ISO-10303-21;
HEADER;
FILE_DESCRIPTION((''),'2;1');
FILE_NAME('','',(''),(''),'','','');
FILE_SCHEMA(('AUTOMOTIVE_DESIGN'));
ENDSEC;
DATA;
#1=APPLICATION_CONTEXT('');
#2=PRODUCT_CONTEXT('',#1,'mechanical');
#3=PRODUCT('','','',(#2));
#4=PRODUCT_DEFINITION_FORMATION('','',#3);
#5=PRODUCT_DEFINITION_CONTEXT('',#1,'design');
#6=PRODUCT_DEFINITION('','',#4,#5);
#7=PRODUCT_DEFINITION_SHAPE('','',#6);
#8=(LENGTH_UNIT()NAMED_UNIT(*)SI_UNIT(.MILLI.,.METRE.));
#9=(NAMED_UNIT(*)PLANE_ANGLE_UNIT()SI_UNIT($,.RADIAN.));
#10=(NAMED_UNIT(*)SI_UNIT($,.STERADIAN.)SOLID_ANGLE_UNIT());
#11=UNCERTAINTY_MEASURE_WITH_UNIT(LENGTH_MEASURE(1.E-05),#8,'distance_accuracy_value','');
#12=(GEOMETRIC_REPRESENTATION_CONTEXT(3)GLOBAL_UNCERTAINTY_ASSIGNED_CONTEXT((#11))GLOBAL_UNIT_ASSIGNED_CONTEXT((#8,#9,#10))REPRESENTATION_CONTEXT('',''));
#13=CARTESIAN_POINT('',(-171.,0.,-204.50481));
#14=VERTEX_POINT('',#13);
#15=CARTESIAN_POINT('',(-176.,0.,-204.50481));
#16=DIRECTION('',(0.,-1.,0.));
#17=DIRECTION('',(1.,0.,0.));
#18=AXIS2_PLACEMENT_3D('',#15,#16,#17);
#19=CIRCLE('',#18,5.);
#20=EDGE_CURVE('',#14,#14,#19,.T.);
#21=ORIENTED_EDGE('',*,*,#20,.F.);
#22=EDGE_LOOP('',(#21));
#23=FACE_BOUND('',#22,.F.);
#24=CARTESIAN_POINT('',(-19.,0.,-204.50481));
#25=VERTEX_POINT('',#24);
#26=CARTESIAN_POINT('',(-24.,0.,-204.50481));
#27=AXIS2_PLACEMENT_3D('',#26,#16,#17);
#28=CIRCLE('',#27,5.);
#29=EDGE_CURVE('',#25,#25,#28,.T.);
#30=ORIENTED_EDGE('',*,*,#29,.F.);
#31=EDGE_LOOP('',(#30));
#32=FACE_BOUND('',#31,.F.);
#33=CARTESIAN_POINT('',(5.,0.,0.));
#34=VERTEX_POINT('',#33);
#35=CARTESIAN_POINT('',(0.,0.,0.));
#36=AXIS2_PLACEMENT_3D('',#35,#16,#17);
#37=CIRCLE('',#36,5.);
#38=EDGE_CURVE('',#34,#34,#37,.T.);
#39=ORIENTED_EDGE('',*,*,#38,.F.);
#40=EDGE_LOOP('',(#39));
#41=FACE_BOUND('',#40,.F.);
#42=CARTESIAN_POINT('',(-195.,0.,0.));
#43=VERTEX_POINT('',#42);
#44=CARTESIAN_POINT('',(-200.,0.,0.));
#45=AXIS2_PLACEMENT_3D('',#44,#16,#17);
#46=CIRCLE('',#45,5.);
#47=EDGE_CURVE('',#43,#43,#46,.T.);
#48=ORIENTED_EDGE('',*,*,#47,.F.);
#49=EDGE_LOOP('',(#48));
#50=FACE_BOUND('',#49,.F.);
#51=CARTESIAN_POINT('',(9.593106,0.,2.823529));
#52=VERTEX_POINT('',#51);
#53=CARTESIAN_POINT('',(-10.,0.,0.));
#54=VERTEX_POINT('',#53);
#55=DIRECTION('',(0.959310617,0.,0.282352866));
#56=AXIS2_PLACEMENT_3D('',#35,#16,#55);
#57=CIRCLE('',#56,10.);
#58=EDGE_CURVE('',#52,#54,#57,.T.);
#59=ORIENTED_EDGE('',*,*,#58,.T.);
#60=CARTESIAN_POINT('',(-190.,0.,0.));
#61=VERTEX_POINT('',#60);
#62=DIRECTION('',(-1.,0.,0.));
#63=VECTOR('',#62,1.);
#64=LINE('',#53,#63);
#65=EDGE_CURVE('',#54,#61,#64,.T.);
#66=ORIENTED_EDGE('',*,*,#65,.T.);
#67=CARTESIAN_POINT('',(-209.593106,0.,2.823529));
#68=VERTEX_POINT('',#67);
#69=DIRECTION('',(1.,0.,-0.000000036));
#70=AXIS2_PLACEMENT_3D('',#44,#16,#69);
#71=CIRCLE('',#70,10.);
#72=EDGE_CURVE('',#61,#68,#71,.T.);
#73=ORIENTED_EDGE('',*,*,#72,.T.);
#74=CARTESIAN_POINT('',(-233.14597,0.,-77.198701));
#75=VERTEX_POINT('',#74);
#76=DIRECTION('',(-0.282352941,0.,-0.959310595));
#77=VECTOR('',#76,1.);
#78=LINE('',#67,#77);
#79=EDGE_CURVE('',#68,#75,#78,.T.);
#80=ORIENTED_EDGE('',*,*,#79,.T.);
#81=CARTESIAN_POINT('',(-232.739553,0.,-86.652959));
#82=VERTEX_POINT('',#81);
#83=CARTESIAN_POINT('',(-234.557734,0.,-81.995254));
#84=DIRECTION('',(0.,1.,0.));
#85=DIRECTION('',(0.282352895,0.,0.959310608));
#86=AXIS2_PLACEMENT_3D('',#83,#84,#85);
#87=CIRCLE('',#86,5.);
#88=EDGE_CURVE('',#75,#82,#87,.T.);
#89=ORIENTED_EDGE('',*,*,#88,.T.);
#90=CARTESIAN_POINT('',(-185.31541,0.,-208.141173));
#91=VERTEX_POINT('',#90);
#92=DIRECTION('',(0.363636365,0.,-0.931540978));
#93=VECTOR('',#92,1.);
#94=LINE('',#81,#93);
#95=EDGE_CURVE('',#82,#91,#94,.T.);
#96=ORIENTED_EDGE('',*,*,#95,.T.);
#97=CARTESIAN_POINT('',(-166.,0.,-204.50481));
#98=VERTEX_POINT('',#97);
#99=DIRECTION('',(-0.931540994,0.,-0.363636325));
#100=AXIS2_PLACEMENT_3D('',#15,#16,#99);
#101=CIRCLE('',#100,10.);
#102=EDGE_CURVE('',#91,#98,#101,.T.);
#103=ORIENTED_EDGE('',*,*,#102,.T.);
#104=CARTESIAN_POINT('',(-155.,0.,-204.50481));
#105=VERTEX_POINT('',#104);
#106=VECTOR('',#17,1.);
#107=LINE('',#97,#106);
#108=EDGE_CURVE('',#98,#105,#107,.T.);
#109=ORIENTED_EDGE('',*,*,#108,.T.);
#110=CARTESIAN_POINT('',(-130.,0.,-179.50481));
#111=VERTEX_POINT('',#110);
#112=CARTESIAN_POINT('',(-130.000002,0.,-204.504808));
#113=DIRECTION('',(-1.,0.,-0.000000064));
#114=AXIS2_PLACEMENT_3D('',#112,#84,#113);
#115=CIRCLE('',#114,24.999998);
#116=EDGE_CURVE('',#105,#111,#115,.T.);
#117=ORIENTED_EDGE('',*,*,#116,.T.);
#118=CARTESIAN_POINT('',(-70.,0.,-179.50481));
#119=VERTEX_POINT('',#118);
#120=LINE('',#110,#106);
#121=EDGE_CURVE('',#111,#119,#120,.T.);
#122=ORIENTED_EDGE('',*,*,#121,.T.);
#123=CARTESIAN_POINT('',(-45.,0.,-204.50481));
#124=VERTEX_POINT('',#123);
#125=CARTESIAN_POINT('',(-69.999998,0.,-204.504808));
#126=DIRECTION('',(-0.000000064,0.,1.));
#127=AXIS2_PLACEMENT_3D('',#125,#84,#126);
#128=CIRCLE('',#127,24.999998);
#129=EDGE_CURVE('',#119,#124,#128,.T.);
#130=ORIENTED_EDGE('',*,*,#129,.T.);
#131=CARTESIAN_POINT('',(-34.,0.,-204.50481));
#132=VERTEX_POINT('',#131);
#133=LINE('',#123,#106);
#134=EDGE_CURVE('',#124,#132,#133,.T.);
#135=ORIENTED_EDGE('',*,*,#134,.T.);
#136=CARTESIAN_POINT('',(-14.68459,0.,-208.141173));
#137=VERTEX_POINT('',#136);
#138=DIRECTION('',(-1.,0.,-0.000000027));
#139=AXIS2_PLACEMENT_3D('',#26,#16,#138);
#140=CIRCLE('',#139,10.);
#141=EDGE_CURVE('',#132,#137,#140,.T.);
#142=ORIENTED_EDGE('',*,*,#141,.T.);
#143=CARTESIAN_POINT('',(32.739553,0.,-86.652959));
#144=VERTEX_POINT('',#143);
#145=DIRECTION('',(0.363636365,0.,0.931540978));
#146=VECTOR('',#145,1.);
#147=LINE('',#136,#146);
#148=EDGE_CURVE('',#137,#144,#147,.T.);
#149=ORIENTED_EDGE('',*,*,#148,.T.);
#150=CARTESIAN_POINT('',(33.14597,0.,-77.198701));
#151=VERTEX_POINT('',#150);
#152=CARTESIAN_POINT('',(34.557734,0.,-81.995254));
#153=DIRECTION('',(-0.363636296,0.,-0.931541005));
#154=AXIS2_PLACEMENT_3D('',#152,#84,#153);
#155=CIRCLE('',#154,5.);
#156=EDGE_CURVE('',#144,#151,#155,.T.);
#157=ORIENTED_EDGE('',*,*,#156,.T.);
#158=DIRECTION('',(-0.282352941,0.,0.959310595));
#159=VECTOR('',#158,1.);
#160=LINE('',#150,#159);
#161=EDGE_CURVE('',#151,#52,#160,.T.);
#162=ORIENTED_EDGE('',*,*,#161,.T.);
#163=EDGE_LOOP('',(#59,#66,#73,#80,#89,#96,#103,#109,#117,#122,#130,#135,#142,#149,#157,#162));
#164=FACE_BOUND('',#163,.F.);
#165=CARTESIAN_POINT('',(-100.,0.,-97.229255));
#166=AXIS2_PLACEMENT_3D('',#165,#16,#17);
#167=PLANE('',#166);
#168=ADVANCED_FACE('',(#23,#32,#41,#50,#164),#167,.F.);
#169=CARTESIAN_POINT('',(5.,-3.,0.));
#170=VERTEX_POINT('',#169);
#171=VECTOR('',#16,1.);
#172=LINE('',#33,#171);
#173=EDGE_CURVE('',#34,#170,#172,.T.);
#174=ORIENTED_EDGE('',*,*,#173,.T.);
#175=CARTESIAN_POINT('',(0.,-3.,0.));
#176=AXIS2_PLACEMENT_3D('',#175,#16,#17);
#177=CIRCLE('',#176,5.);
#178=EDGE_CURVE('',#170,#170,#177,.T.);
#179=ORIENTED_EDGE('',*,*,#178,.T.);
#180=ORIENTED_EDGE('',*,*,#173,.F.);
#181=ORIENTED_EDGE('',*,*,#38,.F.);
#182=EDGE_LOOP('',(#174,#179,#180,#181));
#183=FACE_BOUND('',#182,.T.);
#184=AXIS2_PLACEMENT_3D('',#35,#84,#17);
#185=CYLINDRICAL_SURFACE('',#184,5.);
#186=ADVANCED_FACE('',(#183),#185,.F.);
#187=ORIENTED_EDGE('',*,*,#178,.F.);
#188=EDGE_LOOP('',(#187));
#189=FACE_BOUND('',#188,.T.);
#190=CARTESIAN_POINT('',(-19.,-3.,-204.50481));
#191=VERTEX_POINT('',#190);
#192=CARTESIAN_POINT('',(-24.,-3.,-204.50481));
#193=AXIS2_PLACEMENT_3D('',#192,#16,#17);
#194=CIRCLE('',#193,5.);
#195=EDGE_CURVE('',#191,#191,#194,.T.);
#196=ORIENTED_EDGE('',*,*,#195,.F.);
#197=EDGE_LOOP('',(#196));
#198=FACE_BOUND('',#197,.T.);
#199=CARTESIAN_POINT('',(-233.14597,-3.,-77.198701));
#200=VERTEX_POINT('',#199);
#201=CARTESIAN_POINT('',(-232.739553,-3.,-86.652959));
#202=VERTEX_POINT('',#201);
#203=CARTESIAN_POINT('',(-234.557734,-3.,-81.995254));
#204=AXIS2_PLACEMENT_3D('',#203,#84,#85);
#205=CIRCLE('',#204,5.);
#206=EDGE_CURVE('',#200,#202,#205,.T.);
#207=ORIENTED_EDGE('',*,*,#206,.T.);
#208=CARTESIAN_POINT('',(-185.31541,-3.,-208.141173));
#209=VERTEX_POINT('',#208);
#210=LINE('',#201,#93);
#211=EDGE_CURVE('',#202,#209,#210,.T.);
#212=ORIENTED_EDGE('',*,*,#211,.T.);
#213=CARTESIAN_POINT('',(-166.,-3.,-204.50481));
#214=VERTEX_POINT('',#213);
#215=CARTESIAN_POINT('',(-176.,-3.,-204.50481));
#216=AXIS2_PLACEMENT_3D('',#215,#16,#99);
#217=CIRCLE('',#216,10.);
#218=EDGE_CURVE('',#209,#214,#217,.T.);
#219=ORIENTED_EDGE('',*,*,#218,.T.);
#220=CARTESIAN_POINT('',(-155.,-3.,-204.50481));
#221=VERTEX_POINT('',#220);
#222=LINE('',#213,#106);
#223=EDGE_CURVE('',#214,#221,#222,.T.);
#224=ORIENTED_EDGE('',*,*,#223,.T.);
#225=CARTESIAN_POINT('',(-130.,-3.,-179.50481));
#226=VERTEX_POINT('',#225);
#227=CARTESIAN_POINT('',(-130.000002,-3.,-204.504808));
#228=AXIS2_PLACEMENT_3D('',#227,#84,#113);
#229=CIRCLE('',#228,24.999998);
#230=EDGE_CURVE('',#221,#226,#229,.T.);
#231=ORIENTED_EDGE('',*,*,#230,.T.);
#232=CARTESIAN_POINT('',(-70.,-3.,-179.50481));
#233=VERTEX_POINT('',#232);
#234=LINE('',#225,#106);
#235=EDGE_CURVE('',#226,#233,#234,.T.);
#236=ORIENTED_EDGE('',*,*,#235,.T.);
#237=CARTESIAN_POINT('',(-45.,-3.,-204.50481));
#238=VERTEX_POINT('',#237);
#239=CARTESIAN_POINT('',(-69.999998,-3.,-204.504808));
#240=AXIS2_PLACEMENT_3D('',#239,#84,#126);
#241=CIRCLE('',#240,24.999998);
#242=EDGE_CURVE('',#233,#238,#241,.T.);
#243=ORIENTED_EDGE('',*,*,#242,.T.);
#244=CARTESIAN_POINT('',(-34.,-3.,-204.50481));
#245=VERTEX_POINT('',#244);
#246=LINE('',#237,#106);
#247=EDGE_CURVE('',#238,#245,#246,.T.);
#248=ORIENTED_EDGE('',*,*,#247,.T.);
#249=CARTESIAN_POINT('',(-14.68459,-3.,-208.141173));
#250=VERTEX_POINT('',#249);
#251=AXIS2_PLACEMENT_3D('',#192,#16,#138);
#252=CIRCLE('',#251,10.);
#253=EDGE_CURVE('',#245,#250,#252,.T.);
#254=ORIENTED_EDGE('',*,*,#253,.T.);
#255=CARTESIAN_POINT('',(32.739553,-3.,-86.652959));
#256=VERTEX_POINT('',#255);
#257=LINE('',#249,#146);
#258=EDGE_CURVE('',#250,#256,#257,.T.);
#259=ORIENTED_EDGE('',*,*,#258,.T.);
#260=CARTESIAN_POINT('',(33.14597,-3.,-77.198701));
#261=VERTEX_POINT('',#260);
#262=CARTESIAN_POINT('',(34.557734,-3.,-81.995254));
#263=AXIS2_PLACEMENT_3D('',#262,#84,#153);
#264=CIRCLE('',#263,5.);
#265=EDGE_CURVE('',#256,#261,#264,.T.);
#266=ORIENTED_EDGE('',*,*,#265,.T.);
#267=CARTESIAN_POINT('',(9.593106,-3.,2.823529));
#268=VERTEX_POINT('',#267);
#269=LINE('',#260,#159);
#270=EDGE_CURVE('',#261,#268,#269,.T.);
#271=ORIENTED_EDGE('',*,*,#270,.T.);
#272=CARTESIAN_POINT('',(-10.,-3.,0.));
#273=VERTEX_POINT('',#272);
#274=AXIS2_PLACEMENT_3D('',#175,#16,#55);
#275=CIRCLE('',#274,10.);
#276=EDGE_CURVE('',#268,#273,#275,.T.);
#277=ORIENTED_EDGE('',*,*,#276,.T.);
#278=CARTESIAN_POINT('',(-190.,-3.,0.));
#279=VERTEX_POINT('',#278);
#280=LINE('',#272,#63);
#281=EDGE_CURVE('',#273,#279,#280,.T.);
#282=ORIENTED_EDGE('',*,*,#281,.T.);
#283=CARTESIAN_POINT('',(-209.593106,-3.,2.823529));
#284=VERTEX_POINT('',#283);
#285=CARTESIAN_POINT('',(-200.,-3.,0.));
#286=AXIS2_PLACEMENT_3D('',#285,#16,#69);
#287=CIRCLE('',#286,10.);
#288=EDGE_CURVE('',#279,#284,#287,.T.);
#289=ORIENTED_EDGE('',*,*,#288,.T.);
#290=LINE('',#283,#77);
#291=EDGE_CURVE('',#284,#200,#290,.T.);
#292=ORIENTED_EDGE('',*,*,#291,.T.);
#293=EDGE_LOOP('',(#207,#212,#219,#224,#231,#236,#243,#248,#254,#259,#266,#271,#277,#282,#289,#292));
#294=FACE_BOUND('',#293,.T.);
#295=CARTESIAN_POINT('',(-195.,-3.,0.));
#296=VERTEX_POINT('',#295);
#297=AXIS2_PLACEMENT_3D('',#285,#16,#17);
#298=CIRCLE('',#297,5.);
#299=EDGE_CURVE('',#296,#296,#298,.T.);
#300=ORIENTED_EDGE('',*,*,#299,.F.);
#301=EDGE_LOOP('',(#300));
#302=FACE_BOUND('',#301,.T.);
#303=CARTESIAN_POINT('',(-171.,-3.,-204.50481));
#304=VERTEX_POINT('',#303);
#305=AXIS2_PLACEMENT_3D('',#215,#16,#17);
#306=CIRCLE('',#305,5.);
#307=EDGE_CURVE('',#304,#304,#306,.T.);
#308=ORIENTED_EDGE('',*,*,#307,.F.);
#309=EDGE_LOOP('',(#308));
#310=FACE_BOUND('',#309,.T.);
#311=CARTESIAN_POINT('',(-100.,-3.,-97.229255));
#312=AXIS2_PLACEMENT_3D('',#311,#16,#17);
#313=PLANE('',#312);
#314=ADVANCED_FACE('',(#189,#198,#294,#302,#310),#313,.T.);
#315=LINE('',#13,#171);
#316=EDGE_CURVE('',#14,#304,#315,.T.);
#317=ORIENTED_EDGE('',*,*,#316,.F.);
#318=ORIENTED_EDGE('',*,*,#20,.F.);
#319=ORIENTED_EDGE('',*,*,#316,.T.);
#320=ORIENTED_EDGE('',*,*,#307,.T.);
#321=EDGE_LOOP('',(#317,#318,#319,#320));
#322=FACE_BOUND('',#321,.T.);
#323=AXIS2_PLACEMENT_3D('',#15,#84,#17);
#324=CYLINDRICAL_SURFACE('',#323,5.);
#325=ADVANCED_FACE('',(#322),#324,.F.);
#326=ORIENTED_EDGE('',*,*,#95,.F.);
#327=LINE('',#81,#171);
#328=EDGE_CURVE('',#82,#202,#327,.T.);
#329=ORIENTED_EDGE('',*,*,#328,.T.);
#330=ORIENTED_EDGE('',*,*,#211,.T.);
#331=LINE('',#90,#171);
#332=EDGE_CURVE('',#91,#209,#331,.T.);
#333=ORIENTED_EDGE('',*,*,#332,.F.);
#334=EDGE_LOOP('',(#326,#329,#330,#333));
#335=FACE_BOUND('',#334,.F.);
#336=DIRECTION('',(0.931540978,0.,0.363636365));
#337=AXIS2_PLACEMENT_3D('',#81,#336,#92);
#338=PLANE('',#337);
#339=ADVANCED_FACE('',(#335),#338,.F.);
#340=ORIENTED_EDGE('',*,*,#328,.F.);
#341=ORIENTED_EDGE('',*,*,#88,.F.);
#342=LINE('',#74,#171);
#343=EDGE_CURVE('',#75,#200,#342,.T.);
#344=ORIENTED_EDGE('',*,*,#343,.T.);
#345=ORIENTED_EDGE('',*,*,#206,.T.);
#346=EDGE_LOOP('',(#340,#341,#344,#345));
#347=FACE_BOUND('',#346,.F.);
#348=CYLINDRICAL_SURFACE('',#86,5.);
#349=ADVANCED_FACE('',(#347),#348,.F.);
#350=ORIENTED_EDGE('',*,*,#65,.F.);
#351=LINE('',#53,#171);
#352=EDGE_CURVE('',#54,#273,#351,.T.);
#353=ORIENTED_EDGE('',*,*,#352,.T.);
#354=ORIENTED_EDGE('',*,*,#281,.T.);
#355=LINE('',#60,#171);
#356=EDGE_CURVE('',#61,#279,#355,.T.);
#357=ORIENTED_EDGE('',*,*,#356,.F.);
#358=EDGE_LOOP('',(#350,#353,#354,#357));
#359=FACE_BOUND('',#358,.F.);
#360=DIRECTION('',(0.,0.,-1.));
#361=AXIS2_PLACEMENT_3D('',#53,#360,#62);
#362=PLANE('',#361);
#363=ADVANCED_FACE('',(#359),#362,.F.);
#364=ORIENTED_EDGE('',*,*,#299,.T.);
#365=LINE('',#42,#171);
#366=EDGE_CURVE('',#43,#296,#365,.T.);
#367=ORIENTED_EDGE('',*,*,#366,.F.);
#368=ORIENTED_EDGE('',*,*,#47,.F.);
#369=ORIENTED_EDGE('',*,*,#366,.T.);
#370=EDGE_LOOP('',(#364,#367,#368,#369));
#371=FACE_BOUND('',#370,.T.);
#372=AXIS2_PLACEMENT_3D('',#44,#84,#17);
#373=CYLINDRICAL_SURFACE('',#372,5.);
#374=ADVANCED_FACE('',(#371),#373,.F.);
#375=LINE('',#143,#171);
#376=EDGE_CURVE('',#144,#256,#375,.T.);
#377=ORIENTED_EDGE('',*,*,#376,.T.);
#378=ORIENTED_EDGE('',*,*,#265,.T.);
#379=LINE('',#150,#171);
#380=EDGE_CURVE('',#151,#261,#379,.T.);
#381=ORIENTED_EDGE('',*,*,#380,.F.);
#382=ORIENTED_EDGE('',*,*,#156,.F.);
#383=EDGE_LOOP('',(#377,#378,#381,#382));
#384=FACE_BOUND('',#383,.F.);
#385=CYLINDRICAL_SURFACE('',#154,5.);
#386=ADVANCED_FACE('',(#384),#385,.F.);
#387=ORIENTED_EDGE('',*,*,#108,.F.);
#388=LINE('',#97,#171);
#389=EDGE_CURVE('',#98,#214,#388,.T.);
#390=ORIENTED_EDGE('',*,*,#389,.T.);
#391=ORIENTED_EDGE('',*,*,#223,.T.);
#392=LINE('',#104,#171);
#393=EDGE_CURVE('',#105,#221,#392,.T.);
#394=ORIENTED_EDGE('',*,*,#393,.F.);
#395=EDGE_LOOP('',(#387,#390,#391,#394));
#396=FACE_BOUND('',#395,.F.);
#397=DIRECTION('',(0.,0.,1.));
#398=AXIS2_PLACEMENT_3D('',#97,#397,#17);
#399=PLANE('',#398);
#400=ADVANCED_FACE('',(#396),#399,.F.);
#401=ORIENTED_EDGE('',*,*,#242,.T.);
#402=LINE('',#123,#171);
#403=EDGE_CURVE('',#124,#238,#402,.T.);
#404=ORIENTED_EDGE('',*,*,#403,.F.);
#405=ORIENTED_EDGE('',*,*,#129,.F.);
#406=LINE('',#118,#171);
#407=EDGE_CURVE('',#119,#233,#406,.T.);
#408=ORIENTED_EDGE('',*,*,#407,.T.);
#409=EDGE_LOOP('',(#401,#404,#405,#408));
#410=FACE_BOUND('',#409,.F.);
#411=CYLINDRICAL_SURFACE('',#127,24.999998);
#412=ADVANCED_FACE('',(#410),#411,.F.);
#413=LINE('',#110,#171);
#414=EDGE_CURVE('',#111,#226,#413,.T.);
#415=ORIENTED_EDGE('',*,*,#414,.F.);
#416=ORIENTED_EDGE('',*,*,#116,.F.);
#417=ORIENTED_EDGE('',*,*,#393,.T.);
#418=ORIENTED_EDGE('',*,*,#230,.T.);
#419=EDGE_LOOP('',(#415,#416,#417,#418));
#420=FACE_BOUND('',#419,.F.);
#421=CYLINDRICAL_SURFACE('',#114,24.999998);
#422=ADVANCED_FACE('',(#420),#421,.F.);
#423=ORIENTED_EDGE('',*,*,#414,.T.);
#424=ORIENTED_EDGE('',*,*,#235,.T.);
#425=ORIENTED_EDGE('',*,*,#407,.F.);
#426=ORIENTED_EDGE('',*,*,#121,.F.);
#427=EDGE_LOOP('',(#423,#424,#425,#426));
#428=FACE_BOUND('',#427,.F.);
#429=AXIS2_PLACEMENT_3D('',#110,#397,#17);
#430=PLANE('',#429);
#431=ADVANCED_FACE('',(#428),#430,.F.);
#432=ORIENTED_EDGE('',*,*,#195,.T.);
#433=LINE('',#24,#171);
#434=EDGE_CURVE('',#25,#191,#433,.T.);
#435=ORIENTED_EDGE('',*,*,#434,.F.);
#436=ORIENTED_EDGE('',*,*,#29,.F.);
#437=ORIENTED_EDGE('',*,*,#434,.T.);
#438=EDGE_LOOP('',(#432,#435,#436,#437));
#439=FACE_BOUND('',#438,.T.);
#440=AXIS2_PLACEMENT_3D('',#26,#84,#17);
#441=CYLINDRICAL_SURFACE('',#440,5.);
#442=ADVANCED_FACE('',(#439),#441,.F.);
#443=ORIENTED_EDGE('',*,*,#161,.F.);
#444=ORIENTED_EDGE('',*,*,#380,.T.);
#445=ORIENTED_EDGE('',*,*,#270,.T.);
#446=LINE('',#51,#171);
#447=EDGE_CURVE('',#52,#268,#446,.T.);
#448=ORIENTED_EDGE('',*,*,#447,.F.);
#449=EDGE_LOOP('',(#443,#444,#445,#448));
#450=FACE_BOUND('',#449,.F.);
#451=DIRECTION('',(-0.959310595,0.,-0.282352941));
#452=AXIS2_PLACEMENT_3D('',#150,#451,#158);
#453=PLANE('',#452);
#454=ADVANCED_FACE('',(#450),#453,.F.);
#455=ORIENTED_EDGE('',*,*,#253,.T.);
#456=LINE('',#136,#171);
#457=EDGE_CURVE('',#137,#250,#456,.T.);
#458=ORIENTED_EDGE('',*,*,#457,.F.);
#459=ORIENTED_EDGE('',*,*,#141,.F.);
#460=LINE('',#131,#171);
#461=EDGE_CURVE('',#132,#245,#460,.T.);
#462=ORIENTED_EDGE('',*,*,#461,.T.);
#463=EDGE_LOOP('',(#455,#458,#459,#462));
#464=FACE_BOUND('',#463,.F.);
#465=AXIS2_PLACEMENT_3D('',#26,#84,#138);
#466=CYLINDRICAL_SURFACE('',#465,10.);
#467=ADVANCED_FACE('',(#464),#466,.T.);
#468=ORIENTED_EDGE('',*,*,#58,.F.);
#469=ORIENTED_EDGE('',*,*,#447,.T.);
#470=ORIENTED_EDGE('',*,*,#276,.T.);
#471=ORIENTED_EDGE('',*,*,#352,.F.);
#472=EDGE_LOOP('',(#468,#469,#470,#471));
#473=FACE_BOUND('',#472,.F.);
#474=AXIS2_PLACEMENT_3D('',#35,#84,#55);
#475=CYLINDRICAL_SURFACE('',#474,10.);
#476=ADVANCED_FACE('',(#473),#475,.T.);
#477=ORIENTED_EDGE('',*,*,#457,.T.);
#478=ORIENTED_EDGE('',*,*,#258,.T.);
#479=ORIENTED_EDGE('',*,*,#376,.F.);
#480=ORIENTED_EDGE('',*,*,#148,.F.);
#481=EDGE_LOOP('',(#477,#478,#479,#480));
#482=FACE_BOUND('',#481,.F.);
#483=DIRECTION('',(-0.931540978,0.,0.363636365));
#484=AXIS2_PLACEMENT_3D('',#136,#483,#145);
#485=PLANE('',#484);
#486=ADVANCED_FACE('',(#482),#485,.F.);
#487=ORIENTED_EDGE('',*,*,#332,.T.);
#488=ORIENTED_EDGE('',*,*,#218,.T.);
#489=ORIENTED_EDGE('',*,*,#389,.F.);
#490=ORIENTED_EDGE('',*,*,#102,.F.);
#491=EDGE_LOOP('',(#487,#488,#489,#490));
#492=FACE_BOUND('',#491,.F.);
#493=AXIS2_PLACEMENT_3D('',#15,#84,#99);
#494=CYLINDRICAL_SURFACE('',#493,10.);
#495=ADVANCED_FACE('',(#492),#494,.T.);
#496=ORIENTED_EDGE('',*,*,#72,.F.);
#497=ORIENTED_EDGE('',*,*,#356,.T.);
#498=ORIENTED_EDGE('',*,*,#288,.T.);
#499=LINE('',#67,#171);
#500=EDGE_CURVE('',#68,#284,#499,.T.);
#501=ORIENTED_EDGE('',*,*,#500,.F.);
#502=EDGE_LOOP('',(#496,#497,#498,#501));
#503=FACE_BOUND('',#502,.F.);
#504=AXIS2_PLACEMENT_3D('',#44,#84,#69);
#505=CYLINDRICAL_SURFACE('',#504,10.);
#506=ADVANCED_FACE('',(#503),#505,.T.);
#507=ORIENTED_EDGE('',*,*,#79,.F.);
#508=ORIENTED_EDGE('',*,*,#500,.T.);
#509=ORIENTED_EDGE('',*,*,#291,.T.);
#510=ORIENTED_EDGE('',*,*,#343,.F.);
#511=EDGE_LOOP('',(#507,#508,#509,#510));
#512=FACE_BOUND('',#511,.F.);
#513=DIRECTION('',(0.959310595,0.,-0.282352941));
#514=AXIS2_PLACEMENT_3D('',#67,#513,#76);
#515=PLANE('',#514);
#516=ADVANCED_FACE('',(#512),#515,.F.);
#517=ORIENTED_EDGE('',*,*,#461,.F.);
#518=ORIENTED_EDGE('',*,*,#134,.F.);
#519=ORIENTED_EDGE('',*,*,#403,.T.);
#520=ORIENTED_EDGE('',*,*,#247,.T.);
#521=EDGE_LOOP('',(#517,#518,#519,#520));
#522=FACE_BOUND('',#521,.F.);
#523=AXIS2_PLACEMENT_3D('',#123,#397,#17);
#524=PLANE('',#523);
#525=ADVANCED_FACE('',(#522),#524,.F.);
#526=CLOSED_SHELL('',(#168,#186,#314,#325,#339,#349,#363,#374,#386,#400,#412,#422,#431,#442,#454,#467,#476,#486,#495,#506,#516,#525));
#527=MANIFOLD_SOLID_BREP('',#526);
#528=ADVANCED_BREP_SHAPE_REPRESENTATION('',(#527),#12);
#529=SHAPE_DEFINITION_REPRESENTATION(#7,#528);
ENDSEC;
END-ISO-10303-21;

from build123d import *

# Parameters (mm, degrees)
F0_R     = 5
F1_DEPTH = 3


with BuildPart() as f1:
    # F0 (on Front) → F1 (new body)
    with BuildSketch(Plane.XZ):
        with BuildLine():
            Line((-10, 0), (-100, 0))
            Line((-100, 0), (-190, 0))
            ThreePointArc((-190, 0), (-198.573651, 9.897754), (-209.593106, 2.823529))
            Line((-209.593106, 2.823529), (-233.14597, -77.198701))
            ThreePointArc((-233.14597, -77.198701), (-229.562348, -81.780513), (-232.739553, -86.652959))
            Line((-232.739553, -86.652959), (-185.31541, -208.141173))
            ThreePointArc((-185.31541, -208.141173), (-174.149878, -214.332172), (-166, -204.50481))
            Line((-166, -204.50481), (-155, -204.50481))
            ThreePointArc((-155, -204.50481), (-147.67767, -186.82714), (-130, -179.50481))
            Line((-130, -179.50481), (-100, -179.50481))
            Line((-100, -179.50481), (-70, -179.50481))
            ThreePointArc((-70, -179.50481), (-52.32233, -186.82714), (-45, -204.50481))
            Line((-45, -204.50481), (-34, -204.50481))
            ThreePointArc((-34, -204.50481), (-25.850122, -214.332172), (-14.68459, -208.141173))
            Line((-14.68459, -208.141173), (32.739553, -86.652959))
            ThreePointArc((32.739553, -86.652959), (29.562348, -81.780513), (33.14597, -77.198701))
            Line((33.14597, -77.198701), (9.593106, 2.823529))
            ThreePointArc((9.593106, 2.823529), (-1.426349, 9.897754), (-10, 0))
        make_face()
        with Locations((-176, -204.50481)):
            Circle(F0_R, mode=Mode.SUBTRACT)
        with Locations((-24, -204.50481)):
            Circle(F0_R, mode=Mode.SUBTRACT)
        with Locations((-200, 0)):
            Circle(F0_R, mode=Mode.SUBTRACT)
        Circle(F0_R, mode=Mode.SUBTRACT)
    extrude(amount=F1_DEPTH)


solid = f1.part
